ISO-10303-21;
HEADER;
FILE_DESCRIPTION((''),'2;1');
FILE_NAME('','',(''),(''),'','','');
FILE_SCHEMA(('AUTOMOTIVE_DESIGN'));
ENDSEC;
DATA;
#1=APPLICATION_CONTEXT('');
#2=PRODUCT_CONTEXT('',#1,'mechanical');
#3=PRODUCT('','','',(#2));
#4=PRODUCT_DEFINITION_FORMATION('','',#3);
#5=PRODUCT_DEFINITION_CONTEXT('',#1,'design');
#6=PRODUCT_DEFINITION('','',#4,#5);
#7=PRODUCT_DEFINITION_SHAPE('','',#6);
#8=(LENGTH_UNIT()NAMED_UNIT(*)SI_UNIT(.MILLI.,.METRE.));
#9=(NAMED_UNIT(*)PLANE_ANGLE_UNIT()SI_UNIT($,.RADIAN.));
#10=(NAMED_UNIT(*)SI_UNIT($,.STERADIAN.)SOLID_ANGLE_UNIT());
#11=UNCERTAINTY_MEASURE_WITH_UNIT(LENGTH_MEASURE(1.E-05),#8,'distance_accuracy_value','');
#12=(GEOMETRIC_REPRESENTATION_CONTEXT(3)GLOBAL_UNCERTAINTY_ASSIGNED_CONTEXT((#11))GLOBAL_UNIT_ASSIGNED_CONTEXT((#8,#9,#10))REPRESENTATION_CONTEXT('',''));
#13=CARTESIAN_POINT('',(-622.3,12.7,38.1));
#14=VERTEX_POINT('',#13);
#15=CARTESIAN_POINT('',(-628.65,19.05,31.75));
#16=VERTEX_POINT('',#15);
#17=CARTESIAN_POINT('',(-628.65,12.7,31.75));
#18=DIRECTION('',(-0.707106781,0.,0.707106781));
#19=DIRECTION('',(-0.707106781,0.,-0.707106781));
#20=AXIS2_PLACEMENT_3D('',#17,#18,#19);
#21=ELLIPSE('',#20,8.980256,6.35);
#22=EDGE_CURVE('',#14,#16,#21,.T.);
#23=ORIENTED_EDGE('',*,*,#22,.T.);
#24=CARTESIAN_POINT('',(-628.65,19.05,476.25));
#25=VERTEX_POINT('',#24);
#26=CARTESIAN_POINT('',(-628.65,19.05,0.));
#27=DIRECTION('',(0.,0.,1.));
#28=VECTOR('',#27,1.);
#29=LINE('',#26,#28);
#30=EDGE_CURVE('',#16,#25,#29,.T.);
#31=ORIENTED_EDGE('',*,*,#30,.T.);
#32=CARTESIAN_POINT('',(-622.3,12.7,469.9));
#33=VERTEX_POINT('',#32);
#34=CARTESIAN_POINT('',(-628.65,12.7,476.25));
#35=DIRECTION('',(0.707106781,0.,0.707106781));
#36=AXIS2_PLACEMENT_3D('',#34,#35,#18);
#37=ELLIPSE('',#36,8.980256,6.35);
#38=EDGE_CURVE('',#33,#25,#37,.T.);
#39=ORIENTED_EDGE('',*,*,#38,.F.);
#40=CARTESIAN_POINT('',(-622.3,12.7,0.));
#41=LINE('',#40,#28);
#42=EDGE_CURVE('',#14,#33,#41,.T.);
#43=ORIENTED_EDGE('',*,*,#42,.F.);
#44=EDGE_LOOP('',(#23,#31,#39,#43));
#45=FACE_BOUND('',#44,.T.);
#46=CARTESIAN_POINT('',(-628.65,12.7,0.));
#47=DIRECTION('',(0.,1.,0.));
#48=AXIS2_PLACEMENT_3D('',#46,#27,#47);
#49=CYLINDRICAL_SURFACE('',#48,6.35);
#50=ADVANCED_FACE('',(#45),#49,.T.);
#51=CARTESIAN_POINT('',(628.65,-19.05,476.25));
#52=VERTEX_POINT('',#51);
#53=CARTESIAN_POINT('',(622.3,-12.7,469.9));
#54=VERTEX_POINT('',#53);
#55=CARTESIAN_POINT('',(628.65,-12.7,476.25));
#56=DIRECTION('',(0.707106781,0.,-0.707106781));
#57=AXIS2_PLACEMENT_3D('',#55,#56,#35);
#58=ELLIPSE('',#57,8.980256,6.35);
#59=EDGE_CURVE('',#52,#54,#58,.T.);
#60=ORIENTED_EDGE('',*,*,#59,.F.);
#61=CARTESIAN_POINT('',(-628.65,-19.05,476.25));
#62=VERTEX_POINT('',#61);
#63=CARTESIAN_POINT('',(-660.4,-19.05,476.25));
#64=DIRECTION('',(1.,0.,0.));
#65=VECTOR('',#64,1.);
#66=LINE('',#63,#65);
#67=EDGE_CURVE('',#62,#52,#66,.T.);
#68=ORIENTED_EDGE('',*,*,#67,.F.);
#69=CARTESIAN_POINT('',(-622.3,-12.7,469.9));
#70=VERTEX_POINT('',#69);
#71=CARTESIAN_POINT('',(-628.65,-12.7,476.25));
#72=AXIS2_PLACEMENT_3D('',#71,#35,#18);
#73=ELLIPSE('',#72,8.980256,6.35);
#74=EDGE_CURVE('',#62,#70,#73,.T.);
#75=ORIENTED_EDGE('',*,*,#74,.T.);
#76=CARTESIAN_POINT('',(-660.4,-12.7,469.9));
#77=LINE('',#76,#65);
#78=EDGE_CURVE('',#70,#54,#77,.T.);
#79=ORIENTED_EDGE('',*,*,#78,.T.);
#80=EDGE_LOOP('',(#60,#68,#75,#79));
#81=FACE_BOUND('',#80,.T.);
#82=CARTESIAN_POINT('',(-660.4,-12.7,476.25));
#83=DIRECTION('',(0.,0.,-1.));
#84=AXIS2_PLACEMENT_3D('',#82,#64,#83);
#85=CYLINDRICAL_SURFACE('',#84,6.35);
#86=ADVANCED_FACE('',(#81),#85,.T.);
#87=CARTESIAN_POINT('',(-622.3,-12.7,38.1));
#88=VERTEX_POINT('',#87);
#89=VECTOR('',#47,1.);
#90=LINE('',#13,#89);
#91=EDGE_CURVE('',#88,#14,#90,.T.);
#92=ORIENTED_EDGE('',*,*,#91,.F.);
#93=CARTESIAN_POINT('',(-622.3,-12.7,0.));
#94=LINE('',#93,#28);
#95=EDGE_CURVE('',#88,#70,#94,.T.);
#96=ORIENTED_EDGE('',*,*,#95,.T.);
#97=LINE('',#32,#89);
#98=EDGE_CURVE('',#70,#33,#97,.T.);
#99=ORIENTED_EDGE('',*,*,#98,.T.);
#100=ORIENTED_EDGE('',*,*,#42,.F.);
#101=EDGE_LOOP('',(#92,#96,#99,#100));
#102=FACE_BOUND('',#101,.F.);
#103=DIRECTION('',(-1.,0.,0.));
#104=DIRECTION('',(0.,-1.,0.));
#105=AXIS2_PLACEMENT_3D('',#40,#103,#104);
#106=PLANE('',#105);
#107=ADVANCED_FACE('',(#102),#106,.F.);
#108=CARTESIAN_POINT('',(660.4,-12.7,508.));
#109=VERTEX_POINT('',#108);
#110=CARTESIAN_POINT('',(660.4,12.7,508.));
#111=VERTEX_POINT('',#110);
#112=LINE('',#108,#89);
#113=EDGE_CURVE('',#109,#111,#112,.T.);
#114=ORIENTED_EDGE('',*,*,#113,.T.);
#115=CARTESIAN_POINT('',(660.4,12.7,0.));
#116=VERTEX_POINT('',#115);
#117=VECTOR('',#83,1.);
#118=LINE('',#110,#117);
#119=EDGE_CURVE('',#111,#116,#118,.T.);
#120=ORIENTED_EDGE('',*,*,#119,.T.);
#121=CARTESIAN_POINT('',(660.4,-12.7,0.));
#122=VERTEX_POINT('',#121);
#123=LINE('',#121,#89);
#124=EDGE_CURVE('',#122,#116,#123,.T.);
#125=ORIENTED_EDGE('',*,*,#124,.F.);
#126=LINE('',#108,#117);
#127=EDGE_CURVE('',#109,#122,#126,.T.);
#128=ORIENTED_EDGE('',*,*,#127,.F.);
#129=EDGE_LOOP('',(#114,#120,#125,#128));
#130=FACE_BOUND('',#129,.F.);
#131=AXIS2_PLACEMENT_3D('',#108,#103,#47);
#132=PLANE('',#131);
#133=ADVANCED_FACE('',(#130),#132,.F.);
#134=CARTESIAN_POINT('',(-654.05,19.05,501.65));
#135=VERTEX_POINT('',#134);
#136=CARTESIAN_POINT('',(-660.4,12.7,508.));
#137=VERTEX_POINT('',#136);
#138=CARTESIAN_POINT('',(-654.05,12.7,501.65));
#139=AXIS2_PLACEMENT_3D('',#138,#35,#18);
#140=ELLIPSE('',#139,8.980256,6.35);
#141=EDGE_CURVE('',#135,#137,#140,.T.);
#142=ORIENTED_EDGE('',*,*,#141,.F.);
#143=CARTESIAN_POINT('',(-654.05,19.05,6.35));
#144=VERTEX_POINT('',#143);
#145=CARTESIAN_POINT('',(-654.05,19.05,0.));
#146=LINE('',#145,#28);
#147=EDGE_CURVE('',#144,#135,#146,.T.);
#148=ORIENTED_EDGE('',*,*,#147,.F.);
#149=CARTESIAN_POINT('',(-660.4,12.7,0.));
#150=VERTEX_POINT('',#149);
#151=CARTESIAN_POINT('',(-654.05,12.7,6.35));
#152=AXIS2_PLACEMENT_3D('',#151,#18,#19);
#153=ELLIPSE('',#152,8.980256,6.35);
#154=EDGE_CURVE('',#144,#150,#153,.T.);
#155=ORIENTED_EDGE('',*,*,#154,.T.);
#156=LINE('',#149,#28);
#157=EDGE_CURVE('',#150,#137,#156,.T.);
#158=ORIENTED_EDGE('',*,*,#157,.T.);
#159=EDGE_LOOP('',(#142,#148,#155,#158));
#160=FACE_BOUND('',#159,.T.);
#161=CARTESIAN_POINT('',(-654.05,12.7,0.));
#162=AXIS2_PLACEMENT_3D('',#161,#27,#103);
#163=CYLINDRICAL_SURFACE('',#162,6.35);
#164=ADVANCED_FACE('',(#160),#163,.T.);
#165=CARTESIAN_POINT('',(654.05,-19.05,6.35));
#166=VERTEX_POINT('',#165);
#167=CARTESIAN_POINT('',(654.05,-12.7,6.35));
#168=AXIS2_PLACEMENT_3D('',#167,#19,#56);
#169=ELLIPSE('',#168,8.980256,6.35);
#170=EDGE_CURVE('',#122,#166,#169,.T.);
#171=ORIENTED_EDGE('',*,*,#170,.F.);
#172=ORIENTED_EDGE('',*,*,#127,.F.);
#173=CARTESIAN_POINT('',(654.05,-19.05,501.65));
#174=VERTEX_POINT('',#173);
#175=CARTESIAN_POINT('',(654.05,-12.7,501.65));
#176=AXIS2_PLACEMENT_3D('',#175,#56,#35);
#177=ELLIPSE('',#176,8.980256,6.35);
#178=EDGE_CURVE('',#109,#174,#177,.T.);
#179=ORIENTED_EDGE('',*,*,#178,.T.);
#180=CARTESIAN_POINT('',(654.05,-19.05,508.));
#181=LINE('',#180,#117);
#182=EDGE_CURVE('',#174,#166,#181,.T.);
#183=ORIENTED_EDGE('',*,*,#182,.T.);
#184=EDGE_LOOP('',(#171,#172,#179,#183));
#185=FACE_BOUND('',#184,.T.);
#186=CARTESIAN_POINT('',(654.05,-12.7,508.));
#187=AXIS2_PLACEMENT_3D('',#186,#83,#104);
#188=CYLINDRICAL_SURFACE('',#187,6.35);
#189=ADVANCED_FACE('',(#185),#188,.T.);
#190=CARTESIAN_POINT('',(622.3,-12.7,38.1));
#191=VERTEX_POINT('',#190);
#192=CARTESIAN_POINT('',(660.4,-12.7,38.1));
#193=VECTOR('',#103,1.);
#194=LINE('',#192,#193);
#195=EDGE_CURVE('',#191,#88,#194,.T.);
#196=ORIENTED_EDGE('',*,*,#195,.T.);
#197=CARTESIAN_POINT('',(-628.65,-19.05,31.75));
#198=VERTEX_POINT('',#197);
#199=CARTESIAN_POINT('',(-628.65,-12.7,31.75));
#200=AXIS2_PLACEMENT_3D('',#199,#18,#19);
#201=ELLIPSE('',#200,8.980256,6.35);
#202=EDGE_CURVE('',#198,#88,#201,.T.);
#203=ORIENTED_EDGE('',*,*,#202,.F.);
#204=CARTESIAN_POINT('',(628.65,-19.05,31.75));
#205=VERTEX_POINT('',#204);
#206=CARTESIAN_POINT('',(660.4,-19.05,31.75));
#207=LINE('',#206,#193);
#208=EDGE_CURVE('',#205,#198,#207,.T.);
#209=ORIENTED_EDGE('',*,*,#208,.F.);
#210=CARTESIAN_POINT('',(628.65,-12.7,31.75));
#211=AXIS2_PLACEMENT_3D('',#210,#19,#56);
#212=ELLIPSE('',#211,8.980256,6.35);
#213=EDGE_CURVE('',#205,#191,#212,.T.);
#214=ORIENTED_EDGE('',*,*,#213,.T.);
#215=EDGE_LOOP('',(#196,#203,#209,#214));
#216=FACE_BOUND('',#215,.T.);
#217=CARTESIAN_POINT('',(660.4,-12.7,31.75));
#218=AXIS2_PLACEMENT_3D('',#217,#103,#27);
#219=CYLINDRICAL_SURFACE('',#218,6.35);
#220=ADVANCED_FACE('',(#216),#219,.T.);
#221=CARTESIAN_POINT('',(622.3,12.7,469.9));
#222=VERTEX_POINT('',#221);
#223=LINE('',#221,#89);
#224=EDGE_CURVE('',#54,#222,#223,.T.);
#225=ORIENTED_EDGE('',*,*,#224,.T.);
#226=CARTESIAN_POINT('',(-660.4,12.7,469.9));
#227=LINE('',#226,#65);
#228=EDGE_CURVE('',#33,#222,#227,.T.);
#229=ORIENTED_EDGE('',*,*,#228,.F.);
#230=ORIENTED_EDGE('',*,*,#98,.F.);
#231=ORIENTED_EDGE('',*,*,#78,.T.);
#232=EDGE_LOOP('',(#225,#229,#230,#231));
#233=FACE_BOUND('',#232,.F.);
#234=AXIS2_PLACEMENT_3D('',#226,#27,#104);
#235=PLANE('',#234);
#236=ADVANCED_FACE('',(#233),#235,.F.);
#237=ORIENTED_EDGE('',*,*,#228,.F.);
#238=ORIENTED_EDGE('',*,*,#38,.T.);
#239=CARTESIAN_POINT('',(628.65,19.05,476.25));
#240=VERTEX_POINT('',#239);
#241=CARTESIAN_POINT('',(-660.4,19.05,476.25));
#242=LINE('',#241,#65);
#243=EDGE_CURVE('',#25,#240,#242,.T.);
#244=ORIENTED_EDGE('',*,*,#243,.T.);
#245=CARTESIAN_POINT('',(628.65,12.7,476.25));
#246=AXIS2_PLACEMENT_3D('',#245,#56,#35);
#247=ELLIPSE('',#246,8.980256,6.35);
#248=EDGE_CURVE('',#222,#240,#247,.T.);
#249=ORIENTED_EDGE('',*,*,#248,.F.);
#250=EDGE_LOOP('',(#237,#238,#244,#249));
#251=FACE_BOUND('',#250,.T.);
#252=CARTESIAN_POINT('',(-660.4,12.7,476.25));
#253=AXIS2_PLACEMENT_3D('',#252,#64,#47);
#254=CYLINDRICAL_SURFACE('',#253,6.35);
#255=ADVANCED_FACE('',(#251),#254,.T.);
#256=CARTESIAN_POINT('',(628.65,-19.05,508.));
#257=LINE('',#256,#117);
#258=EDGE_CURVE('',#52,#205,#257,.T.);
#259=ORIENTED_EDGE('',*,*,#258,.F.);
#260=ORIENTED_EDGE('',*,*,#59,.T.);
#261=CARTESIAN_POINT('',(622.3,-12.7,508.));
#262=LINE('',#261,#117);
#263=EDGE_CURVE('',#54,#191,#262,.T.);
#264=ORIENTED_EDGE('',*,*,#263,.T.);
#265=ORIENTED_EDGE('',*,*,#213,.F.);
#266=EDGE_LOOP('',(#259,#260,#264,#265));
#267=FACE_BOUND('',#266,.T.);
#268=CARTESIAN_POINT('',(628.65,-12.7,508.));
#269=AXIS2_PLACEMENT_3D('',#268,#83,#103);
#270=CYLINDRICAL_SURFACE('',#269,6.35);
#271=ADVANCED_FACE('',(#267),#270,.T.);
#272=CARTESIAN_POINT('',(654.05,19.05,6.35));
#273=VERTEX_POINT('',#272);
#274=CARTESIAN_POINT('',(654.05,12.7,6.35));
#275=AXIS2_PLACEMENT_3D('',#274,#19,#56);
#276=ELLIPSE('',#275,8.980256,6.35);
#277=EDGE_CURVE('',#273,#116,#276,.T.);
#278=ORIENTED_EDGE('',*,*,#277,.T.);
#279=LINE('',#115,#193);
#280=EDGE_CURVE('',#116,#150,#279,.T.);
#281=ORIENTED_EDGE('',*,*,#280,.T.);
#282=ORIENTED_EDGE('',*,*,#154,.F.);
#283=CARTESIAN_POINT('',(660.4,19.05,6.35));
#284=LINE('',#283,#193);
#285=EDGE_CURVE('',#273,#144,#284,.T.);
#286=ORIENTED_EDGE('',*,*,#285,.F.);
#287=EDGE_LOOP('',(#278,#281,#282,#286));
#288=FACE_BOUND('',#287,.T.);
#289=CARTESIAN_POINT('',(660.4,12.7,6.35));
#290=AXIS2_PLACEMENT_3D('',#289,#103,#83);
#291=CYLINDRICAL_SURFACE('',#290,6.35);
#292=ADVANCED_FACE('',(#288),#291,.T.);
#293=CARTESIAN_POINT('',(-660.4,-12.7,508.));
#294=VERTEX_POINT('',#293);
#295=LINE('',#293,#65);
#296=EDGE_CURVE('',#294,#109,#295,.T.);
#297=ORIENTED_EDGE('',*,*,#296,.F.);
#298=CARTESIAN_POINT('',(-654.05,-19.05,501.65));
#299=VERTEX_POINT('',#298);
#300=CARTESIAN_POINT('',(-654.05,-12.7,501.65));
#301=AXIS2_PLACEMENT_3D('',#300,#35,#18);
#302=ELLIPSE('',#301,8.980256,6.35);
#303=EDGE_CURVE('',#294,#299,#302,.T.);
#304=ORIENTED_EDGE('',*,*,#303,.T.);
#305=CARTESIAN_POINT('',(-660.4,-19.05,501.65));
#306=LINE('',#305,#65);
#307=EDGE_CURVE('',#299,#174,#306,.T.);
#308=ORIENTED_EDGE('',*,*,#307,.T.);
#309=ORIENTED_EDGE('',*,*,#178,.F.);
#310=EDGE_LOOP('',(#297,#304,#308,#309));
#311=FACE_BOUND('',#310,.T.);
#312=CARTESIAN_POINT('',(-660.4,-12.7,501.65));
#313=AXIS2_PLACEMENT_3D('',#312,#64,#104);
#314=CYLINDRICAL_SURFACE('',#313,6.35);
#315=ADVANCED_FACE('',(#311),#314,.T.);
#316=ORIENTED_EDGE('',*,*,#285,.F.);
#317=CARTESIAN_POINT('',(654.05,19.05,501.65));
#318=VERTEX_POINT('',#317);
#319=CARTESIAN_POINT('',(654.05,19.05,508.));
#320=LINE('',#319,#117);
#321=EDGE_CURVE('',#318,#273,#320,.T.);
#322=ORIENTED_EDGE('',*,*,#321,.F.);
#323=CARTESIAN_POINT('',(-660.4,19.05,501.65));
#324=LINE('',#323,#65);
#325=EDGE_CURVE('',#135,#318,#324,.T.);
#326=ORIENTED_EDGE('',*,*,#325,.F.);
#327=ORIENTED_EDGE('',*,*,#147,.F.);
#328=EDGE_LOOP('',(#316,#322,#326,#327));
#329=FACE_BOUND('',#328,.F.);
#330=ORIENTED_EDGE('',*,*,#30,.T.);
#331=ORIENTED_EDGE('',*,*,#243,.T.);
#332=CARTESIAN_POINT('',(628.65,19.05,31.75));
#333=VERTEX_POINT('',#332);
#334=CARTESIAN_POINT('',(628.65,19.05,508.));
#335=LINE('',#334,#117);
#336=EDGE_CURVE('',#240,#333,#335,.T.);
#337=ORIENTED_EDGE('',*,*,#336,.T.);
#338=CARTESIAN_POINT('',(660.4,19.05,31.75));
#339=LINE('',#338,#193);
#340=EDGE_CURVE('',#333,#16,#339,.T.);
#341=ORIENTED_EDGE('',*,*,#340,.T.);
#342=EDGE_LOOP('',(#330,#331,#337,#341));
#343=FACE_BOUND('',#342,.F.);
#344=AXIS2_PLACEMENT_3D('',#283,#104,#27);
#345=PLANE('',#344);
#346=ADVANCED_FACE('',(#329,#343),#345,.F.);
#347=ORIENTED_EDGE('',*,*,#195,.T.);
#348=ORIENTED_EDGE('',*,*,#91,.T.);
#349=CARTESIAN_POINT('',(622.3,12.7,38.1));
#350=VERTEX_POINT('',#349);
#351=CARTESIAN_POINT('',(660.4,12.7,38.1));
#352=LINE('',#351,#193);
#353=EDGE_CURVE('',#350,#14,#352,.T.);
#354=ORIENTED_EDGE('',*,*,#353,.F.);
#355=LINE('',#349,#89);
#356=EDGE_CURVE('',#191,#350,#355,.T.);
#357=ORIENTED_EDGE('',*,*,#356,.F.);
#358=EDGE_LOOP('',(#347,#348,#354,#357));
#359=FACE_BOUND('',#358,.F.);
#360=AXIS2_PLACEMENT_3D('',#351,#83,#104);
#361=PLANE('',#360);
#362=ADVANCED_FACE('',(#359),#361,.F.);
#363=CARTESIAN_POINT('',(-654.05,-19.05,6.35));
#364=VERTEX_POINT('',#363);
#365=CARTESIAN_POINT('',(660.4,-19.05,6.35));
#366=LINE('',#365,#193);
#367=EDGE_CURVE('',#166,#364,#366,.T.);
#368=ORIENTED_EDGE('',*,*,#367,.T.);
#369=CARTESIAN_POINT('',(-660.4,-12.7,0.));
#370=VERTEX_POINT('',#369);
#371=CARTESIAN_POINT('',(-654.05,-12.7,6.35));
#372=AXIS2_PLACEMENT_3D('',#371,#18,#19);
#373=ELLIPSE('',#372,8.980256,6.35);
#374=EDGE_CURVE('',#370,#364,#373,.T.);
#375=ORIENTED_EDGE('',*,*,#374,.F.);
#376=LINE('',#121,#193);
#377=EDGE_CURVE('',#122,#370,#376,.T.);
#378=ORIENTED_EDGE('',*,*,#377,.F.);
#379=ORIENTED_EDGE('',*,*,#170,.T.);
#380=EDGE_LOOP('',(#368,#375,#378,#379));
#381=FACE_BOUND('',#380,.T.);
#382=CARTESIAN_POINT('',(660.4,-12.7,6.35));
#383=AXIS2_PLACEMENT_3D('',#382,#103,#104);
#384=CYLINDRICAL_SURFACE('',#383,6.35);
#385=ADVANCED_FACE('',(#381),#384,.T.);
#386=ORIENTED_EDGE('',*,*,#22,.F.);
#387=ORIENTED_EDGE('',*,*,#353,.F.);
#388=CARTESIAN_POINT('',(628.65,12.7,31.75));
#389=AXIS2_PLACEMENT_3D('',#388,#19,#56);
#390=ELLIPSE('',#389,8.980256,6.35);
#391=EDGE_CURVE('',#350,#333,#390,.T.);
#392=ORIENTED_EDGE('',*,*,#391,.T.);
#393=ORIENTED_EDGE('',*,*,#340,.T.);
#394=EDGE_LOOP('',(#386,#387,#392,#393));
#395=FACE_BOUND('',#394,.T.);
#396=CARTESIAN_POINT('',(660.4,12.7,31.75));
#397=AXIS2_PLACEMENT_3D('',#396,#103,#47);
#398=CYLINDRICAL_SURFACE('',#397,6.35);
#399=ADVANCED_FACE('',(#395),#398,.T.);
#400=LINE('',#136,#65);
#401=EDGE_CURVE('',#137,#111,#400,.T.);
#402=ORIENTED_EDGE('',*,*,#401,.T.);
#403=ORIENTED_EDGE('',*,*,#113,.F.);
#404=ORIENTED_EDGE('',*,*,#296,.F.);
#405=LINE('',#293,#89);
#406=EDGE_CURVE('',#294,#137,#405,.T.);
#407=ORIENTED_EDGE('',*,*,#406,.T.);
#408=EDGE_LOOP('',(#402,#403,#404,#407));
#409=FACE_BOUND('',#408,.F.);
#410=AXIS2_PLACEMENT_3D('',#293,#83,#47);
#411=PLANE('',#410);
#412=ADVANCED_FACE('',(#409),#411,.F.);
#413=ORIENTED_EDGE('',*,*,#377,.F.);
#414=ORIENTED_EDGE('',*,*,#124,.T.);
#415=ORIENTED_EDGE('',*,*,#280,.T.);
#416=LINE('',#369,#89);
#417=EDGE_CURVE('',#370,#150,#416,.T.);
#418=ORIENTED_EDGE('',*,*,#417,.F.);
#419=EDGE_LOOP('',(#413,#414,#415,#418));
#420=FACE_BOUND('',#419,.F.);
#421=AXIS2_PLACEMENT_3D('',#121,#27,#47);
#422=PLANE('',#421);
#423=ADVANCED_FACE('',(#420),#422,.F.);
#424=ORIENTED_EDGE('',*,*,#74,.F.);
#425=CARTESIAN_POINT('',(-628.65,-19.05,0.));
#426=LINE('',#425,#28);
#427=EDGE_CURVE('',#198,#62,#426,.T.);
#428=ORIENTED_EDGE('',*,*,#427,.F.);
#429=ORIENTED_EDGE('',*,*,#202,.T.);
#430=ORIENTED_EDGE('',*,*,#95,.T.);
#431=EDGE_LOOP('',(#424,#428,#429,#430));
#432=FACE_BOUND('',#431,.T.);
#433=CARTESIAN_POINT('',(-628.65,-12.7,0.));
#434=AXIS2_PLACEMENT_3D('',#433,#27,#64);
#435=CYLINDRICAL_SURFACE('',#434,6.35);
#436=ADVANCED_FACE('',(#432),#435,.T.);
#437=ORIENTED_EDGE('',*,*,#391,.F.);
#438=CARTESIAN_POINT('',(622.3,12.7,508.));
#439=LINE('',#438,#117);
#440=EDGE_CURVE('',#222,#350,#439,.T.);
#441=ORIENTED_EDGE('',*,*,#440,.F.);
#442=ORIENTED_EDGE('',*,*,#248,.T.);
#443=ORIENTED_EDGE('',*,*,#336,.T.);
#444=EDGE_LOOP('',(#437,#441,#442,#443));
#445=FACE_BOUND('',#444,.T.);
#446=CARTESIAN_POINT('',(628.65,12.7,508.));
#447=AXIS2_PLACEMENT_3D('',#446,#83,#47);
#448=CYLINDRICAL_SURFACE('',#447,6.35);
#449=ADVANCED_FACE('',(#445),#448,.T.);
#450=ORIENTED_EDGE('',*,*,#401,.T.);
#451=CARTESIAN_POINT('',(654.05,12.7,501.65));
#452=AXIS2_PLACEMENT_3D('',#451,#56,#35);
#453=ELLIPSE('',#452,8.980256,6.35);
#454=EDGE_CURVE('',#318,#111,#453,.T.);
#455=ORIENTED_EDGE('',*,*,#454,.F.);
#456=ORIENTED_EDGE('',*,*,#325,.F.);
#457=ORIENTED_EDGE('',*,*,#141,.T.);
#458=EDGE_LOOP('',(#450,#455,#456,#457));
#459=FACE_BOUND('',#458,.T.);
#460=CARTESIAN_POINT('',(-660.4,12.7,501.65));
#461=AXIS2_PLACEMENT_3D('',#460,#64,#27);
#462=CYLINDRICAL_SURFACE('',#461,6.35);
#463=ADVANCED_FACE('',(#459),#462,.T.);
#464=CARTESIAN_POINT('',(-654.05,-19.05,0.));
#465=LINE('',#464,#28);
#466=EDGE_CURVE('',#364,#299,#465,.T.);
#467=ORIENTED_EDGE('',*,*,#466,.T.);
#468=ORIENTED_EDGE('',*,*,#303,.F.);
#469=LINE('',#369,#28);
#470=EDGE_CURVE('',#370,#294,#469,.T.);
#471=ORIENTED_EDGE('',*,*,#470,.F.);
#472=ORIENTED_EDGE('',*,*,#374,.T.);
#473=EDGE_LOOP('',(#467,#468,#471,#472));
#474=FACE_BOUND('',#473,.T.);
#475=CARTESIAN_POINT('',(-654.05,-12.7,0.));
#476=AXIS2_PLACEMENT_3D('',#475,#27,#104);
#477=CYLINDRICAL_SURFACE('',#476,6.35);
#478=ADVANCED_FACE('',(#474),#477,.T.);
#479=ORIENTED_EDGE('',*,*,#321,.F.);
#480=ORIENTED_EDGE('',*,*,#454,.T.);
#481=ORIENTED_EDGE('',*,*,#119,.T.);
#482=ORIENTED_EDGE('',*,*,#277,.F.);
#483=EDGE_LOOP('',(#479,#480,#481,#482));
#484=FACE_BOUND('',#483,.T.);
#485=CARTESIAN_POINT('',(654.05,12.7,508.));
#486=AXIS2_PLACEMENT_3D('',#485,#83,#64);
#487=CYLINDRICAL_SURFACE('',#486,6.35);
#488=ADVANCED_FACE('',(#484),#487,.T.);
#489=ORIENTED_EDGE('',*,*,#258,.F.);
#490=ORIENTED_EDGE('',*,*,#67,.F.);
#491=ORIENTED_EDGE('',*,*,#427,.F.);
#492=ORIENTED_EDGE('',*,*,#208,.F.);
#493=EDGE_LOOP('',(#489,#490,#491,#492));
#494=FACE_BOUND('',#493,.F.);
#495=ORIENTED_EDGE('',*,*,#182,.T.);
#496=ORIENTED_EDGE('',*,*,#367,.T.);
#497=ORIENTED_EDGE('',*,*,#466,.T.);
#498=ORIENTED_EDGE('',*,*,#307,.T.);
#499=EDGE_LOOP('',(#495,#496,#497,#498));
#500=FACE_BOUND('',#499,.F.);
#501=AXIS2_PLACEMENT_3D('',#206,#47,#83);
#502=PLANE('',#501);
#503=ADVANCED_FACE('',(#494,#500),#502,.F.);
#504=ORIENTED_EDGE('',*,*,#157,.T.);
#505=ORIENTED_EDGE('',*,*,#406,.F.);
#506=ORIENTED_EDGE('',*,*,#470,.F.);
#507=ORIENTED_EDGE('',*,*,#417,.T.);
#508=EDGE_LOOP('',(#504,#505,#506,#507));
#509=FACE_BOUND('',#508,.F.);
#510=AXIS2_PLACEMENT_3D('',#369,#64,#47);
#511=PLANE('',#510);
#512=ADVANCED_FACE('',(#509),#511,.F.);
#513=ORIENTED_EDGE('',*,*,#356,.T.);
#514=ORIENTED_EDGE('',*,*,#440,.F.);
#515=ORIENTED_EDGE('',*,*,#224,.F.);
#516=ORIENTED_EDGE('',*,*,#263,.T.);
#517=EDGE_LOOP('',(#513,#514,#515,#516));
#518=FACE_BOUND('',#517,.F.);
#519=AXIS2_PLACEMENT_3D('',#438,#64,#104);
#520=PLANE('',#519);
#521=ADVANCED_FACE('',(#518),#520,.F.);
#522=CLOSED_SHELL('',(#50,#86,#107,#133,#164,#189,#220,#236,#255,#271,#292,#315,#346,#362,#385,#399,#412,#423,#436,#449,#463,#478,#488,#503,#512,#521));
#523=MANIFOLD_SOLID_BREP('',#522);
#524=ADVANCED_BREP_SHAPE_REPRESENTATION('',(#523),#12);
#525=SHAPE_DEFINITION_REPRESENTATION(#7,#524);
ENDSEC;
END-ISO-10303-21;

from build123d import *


with BuildPart() as f2:
    # F2: sweep along a path in F0
    with BuildLine(Plane.XZ) as f2_path:
        Line((660.4, 0), (0, 0))
        Line((0, 0), (-660.4, 0))
        Line((-660.4, 0), (-660.4, 508))
        Line((-660.4, 508), (660.4, 508))
        Line((660.4, 508), (660.4, 0))
    # F1 (on Right) → F2 (sweep)
    with BuildSketch(Plane.YZ):
        with BuildLine():
            Line((-12.7, 0), (0, 0))
            Line((0, 0), (12.7, 0))
            ThreePointArc((12.7, 0), (17.1901280605, 1.8598719395), (19.05, 6.35))
            Line((19.05, 6.35), (19.05, 31.75))
            ThreePointArc((19.05, 31.75), (17.1901280605, 36.2401280605), (12.7, 38.1))
            Line((12.7, 38.1), (-12.7, 38.1))
            ThreePointArc((-12.7, 38.1), (-17.1901280605, 36.2401280605), (-19.05, 31.75))
            Line((-19.05, 31.75), (-19.05, 6.35))
            ThreePointArc((-19.05, 6.35), (-17.1901280605, 1.8598719395), (-12.7, 0))
        make_face()
    sweep(path=f2_path.line, transition=Transition.RIGHT)


solid = f2.part
